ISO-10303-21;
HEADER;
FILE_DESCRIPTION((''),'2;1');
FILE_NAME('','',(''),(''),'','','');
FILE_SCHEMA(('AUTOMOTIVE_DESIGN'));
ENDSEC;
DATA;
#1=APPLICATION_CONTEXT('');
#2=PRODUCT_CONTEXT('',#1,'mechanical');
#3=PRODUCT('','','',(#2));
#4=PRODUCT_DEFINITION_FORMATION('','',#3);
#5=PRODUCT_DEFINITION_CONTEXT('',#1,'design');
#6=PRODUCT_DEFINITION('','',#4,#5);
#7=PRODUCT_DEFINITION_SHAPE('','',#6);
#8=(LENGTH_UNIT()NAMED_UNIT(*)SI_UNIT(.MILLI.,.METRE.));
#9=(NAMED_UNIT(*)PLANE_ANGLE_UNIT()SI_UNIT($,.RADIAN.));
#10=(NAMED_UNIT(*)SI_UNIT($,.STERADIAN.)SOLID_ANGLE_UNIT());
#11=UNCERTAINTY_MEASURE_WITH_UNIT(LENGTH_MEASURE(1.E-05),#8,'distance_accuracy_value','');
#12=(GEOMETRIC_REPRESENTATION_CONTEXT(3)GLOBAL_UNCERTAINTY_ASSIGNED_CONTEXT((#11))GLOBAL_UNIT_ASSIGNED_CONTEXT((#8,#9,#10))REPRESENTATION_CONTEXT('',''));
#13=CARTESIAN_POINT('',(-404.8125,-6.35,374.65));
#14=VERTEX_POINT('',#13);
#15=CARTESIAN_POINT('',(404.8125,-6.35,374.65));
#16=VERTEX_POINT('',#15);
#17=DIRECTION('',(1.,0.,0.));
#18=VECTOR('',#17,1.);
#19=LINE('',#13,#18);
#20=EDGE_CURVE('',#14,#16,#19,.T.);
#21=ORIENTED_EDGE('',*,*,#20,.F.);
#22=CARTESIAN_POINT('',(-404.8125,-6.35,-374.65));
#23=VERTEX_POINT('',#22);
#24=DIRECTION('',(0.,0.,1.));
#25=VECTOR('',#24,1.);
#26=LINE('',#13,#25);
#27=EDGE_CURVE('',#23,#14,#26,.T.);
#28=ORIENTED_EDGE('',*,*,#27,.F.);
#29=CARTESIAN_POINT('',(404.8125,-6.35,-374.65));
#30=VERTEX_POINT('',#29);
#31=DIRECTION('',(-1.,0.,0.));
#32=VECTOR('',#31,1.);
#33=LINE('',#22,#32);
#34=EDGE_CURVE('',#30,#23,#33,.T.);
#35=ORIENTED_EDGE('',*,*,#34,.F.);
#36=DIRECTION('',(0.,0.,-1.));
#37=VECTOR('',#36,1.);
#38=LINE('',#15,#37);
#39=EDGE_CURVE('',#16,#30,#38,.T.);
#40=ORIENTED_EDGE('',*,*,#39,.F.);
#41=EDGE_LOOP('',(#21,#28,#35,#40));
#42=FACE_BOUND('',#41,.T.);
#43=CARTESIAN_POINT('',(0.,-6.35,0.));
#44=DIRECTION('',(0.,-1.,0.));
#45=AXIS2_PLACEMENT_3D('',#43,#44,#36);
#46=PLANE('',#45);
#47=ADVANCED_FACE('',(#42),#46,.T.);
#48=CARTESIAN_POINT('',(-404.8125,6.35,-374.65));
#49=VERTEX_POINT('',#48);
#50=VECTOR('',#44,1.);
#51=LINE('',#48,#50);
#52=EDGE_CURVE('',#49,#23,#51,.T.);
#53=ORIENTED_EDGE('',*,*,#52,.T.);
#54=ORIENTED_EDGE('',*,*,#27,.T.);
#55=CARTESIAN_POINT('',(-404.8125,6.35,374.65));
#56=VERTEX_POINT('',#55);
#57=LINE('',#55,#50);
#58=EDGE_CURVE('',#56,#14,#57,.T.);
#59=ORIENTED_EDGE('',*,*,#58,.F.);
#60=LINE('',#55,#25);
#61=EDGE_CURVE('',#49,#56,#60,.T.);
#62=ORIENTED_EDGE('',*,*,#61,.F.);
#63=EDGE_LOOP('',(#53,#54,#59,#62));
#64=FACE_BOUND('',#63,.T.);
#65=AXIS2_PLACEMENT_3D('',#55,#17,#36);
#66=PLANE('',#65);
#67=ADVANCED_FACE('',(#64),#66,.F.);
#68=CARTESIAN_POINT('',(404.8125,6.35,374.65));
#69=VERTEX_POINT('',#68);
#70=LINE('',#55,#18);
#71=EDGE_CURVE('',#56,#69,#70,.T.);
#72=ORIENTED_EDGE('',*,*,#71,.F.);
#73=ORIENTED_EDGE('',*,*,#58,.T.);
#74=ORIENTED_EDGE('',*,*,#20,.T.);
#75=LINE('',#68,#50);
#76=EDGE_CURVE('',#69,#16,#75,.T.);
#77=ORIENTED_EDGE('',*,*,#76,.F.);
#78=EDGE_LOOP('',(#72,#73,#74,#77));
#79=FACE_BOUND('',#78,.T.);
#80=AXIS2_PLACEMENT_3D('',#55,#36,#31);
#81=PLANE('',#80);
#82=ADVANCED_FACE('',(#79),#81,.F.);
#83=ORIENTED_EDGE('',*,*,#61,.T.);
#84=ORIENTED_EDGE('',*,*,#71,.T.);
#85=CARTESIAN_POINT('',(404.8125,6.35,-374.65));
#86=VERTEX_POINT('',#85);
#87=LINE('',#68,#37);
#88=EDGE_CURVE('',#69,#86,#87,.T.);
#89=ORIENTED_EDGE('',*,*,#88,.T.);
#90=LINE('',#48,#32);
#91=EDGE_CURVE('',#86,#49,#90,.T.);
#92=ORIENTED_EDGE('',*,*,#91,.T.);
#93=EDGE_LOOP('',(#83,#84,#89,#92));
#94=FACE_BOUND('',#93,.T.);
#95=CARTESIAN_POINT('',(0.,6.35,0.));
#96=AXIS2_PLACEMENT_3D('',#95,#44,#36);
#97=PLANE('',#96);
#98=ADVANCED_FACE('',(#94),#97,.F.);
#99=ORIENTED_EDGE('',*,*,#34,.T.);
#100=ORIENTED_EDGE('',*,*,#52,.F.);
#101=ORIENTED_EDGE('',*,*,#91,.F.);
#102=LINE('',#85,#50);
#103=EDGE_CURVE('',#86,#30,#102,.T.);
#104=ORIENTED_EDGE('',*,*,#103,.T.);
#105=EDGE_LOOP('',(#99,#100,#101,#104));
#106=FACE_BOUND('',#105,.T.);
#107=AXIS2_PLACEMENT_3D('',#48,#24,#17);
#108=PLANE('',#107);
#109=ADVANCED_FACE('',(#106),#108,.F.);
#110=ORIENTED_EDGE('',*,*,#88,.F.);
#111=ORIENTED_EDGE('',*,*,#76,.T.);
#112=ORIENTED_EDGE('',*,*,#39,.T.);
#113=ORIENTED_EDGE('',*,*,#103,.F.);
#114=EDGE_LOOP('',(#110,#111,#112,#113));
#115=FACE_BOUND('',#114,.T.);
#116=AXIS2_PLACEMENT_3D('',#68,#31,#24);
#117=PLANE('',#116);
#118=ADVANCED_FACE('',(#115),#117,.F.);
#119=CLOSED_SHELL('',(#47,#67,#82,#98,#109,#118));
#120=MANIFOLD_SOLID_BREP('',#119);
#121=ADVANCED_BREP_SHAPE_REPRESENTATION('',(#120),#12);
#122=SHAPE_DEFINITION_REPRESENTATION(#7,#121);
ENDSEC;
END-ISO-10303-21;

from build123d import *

# Parameters (mm, degrees)
SKETCH1_W           = 809.625
SKETCH1_H           = 749.3
BOSS_EXTRUDE1_DEPTH = 6.35


with BuildPart() as part:
    # Sketch1 → Boss-Extrude1 (new body, symmetric)
    with BuildSketch(Plane(origin=(0, 0, 0), x_dir=(1, 0, 0), z_dir=(0, 1, 0))):
        Rectangle(SKETCH1_W, SKETCH1_H)
    extrude(amount=BOSS_EXTRUDE1_DEPTH, both=True)


solid = part.part
